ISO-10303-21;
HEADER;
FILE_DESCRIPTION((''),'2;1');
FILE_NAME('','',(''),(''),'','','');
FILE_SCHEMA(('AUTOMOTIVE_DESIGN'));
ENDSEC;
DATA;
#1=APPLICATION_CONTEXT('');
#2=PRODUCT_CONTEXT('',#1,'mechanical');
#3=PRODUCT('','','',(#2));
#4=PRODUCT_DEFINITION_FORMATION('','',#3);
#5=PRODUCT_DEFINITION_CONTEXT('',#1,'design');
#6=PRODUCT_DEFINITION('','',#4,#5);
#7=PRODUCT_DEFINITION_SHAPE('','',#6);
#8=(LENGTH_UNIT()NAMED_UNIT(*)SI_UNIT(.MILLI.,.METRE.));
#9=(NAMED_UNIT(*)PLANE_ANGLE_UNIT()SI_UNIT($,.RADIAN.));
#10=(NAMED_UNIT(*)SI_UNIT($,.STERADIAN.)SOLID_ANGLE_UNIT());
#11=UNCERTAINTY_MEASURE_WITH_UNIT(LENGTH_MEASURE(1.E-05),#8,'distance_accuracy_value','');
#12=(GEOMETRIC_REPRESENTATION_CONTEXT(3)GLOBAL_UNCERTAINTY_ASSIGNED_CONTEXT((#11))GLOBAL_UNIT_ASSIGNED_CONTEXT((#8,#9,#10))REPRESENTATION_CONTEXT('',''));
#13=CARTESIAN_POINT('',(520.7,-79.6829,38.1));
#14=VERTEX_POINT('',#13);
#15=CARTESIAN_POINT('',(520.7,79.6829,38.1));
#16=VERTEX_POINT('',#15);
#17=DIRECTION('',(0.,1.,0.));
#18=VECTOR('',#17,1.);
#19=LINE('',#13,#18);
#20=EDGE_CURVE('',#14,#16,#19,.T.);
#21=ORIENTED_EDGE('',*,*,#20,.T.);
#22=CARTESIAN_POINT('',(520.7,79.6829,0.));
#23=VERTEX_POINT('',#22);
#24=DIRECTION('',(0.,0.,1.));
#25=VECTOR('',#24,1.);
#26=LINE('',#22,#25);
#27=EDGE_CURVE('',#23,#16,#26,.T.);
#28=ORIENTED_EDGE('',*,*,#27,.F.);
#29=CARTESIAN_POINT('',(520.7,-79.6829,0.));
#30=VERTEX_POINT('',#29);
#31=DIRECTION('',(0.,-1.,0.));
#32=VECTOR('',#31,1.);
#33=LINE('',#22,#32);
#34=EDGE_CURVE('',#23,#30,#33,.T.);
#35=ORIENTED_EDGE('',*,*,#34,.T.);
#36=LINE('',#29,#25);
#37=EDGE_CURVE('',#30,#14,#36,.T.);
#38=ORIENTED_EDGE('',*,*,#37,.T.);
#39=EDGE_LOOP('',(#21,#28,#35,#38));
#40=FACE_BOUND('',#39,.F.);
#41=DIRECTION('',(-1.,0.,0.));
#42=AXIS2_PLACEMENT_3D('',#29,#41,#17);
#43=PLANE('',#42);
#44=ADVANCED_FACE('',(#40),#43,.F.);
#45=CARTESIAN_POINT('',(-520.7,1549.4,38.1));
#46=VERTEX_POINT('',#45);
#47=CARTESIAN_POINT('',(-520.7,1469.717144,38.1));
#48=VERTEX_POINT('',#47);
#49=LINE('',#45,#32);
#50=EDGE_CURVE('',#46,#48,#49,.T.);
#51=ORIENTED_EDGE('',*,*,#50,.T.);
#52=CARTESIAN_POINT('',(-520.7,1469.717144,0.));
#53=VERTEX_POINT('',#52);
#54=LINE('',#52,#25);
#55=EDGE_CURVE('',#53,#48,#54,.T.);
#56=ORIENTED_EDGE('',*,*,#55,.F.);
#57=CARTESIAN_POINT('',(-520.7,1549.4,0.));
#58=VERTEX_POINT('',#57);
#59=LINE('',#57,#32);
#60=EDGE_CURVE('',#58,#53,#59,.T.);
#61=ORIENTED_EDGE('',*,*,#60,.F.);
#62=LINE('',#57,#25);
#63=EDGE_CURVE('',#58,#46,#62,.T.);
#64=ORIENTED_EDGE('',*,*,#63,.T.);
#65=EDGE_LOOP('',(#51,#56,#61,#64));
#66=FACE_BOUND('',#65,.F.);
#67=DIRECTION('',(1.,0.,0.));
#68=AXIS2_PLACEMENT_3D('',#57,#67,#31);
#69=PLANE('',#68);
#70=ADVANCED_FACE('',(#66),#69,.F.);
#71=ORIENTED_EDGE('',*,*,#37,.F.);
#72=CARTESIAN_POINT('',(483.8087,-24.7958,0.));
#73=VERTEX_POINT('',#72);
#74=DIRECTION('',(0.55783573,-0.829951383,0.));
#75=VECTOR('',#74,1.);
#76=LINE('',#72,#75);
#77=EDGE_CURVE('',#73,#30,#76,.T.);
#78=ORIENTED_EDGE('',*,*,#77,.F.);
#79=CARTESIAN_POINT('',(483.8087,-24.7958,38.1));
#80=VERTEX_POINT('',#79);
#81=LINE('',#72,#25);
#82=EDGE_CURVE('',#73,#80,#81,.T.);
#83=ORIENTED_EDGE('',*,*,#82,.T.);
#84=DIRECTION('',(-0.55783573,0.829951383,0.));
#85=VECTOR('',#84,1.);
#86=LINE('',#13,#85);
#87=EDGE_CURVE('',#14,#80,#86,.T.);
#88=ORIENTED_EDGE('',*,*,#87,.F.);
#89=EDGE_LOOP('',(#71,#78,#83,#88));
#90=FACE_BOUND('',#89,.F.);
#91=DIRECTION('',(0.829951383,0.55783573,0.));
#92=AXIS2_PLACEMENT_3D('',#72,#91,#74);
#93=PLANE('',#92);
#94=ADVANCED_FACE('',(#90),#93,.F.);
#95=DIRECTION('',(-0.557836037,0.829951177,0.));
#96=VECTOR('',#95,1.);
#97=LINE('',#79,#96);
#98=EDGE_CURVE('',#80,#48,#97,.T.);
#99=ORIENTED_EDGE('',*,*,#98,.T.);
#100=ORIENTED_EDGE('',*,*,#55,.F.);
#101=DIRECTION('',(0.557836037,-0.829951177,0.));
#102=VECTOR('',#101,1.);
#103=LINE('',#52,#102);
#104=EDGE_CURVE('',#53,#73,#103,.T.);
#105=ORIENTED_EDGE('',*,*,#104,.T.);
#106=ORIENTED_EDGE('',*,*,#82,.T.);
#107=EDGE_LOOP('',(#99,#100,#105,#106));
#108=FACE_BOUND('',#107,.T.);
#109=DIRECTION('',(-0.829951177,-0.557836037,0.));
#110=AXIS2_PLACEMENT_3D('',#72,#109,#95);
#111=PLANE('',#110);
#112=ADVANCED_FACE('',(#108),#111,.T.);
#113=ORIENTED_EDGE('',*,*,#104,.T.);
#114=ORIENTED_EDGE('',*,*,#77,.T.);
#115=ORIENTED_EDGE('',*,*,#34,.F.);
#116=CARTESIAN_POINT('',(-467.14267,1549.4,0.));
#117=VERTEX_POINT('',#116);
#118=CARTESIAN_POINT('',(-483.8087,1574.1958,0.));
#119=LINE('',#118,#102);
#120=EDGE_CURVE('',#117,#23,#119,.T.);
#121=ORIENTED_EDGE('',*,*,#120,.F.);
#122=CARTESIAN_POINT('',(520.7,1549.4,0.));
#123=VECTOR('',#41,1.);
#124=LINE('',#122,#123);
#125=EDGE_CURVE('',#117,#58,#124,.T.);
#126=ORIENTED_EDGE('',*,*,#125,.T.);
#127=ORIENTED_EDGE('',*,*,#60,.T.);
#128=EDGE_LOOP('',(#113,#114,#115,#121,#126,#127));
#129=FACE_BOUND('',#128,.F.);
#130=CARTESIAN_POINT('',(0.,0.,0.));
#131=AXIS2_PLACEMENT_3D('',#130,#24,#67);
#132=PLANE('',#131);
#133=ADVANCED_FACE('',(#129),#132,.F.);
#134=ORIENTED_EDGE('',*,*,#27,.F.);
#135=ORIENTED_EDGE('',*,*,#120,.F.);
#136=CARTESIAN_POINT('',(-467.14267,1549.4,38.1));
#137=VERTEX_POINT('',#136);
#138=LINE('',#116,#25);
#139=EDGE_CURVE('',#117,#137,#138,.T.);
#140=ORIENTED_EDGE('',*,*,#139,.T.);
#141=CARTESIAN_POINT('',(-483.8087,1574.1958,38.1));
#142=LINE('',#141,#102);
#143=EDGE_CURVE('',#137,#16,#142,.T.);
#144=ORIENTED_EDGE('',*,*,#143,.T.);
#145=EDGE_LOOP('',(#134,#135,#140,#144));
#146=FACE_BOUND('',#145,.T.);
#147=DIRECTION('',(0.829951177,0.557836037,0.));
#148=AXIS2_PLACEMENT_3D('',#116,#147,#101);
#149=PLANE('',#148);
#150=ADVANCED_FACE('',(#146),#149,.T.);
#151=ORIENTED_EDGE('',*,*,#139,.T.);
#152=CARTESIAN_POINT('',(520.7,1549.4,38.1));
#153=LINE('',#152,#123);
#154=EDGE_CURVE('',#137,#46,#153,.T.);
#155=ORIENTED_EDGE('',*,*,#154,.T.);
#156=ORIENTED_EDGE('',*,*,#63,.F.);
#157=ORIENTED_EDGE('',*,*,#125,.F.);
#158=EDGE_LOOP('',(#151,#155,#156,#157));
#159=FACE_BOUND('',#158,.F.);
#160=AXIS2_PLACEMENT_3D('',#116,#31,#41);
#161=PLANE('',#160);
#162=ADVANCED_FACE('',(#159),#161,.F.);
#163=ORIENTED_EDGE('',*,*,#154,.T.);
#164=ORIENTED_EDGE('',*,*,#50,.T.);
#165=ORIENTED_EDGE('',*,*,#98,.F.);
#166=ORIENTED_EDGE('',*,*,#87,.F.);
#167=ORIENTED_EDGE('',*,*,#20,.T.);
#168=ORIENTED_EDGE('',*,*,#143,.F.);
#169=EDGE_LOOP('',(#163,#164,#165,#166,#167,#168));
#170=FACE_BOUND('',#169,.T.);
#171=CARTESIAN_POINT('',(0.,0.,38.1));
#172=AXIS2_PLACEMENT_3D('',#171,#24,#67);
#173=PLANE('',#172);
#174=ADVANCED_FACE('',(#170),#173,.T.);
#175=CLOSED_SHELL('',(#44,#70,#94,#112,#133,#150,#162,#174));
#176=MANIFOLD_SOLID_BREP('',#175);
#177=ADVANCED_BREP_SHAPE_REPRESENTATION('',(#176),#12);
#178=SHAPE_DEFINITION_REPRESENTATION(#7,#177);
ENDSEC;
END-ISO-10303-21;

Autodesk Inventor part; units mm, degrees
ref_plane "YZ Plane" through (0, 0, 0) normal (1, 0, 0) x (0, 1, 0)
ref_plane "XZ Plane" through (0, 0, 0) normal (0, 1, 0) x (-1, 0, 0)
ref_plane "XY Plane" through (0, 0, 0) normal (0, 0, 1) x (1, 0, 0)
sketch "Sketch1" plane through (0, 0, 0) normal (0, 0, 1) x (1, 0, 0)
  line L0 (-520.7, -1549.4) -> (520.7, -1549.4)
  line L1 (520.7, -1549.4) -> (520.7, 1549.4)
  line L2 (520.7, 1549.4) -> (-520.7, 1549.4)
  line L3 (-520.7, 1549.4) -> (-520.7, -1549.4)
  line L4 (-520.7, -1549.4) -> (520.7, 1549.4) construction
  line L5 (520.7, -1549.4) -> (-520.7, 1549.4) construction
  line L6 (-520.7, 0) -> (520.7, 0)
  line L7 (520.7, 0) -> (-520.7, -1549.4)
  line L8 (-483.8087, -1574.1958) -> (-557.5913, -1524.6042)
  line L9 (557.5913, -24.7958) -> (483.8087, 24.7958)
  line L10 (483.8087, 24.7958) -> (-557.5913, -1524.6042)
  line L11 (-483.8087, -1574.1958) -> (557.5913, -24.7958)
  line L12 (483.8087, 24.7958) -> (520.7, 79.6829)
  line L13 (-520.7, 1549.4) -> (520.7, -1549.4) construction
  line L14 (520.7, 0) -> (-520.7, 1549.4)
  line L15 (-483.8087, 1574.1958) -> (-557.5913, 1524.6042)
  line L16 (557.5913, 24.7958) -> (483.8087, -24.7958)
  line L17 (483.8087, -24.7958) -> (-557.5913, 1524.6042)
  line L18 (-483.8087, 1574.1958) -> (557.5913, 24.7958)
  line L19 (483.8087, -24.7958) -> (520.7, -79.6829)
  point P0 (0, 0)
  point P1 (520.7, 79.6829)
  point P2 (-467.1426, 1549.4)
  point P3 (-520.7, 1469.7171)
  point P4 (520.7, -79.6829)
  point P5 (520.7, -79.6829)
  point P6 (467.1426, 0)
  point P7 (-520.7, -1469.7171)
  point P8 (-467.1426, -1549.4)
  dimension "d0" = 1041.4
  dimension "d1" = 3098.8
  dimension "d3" = 88.9
  dimension "d4" = 88.9
extrude "Extrusion1" add sketch "Sketch1" along normal blind 38.1 contours L19 L16 L7 | L7 L1 L19 | L10 L9 L6 | L17 L3 L14 L12 L10 | L6 L16 L17 | L14 L12 L1 | L9 L12 L14 | L12 L14 L2 L18
properties part number "S_2x4x76.102"
